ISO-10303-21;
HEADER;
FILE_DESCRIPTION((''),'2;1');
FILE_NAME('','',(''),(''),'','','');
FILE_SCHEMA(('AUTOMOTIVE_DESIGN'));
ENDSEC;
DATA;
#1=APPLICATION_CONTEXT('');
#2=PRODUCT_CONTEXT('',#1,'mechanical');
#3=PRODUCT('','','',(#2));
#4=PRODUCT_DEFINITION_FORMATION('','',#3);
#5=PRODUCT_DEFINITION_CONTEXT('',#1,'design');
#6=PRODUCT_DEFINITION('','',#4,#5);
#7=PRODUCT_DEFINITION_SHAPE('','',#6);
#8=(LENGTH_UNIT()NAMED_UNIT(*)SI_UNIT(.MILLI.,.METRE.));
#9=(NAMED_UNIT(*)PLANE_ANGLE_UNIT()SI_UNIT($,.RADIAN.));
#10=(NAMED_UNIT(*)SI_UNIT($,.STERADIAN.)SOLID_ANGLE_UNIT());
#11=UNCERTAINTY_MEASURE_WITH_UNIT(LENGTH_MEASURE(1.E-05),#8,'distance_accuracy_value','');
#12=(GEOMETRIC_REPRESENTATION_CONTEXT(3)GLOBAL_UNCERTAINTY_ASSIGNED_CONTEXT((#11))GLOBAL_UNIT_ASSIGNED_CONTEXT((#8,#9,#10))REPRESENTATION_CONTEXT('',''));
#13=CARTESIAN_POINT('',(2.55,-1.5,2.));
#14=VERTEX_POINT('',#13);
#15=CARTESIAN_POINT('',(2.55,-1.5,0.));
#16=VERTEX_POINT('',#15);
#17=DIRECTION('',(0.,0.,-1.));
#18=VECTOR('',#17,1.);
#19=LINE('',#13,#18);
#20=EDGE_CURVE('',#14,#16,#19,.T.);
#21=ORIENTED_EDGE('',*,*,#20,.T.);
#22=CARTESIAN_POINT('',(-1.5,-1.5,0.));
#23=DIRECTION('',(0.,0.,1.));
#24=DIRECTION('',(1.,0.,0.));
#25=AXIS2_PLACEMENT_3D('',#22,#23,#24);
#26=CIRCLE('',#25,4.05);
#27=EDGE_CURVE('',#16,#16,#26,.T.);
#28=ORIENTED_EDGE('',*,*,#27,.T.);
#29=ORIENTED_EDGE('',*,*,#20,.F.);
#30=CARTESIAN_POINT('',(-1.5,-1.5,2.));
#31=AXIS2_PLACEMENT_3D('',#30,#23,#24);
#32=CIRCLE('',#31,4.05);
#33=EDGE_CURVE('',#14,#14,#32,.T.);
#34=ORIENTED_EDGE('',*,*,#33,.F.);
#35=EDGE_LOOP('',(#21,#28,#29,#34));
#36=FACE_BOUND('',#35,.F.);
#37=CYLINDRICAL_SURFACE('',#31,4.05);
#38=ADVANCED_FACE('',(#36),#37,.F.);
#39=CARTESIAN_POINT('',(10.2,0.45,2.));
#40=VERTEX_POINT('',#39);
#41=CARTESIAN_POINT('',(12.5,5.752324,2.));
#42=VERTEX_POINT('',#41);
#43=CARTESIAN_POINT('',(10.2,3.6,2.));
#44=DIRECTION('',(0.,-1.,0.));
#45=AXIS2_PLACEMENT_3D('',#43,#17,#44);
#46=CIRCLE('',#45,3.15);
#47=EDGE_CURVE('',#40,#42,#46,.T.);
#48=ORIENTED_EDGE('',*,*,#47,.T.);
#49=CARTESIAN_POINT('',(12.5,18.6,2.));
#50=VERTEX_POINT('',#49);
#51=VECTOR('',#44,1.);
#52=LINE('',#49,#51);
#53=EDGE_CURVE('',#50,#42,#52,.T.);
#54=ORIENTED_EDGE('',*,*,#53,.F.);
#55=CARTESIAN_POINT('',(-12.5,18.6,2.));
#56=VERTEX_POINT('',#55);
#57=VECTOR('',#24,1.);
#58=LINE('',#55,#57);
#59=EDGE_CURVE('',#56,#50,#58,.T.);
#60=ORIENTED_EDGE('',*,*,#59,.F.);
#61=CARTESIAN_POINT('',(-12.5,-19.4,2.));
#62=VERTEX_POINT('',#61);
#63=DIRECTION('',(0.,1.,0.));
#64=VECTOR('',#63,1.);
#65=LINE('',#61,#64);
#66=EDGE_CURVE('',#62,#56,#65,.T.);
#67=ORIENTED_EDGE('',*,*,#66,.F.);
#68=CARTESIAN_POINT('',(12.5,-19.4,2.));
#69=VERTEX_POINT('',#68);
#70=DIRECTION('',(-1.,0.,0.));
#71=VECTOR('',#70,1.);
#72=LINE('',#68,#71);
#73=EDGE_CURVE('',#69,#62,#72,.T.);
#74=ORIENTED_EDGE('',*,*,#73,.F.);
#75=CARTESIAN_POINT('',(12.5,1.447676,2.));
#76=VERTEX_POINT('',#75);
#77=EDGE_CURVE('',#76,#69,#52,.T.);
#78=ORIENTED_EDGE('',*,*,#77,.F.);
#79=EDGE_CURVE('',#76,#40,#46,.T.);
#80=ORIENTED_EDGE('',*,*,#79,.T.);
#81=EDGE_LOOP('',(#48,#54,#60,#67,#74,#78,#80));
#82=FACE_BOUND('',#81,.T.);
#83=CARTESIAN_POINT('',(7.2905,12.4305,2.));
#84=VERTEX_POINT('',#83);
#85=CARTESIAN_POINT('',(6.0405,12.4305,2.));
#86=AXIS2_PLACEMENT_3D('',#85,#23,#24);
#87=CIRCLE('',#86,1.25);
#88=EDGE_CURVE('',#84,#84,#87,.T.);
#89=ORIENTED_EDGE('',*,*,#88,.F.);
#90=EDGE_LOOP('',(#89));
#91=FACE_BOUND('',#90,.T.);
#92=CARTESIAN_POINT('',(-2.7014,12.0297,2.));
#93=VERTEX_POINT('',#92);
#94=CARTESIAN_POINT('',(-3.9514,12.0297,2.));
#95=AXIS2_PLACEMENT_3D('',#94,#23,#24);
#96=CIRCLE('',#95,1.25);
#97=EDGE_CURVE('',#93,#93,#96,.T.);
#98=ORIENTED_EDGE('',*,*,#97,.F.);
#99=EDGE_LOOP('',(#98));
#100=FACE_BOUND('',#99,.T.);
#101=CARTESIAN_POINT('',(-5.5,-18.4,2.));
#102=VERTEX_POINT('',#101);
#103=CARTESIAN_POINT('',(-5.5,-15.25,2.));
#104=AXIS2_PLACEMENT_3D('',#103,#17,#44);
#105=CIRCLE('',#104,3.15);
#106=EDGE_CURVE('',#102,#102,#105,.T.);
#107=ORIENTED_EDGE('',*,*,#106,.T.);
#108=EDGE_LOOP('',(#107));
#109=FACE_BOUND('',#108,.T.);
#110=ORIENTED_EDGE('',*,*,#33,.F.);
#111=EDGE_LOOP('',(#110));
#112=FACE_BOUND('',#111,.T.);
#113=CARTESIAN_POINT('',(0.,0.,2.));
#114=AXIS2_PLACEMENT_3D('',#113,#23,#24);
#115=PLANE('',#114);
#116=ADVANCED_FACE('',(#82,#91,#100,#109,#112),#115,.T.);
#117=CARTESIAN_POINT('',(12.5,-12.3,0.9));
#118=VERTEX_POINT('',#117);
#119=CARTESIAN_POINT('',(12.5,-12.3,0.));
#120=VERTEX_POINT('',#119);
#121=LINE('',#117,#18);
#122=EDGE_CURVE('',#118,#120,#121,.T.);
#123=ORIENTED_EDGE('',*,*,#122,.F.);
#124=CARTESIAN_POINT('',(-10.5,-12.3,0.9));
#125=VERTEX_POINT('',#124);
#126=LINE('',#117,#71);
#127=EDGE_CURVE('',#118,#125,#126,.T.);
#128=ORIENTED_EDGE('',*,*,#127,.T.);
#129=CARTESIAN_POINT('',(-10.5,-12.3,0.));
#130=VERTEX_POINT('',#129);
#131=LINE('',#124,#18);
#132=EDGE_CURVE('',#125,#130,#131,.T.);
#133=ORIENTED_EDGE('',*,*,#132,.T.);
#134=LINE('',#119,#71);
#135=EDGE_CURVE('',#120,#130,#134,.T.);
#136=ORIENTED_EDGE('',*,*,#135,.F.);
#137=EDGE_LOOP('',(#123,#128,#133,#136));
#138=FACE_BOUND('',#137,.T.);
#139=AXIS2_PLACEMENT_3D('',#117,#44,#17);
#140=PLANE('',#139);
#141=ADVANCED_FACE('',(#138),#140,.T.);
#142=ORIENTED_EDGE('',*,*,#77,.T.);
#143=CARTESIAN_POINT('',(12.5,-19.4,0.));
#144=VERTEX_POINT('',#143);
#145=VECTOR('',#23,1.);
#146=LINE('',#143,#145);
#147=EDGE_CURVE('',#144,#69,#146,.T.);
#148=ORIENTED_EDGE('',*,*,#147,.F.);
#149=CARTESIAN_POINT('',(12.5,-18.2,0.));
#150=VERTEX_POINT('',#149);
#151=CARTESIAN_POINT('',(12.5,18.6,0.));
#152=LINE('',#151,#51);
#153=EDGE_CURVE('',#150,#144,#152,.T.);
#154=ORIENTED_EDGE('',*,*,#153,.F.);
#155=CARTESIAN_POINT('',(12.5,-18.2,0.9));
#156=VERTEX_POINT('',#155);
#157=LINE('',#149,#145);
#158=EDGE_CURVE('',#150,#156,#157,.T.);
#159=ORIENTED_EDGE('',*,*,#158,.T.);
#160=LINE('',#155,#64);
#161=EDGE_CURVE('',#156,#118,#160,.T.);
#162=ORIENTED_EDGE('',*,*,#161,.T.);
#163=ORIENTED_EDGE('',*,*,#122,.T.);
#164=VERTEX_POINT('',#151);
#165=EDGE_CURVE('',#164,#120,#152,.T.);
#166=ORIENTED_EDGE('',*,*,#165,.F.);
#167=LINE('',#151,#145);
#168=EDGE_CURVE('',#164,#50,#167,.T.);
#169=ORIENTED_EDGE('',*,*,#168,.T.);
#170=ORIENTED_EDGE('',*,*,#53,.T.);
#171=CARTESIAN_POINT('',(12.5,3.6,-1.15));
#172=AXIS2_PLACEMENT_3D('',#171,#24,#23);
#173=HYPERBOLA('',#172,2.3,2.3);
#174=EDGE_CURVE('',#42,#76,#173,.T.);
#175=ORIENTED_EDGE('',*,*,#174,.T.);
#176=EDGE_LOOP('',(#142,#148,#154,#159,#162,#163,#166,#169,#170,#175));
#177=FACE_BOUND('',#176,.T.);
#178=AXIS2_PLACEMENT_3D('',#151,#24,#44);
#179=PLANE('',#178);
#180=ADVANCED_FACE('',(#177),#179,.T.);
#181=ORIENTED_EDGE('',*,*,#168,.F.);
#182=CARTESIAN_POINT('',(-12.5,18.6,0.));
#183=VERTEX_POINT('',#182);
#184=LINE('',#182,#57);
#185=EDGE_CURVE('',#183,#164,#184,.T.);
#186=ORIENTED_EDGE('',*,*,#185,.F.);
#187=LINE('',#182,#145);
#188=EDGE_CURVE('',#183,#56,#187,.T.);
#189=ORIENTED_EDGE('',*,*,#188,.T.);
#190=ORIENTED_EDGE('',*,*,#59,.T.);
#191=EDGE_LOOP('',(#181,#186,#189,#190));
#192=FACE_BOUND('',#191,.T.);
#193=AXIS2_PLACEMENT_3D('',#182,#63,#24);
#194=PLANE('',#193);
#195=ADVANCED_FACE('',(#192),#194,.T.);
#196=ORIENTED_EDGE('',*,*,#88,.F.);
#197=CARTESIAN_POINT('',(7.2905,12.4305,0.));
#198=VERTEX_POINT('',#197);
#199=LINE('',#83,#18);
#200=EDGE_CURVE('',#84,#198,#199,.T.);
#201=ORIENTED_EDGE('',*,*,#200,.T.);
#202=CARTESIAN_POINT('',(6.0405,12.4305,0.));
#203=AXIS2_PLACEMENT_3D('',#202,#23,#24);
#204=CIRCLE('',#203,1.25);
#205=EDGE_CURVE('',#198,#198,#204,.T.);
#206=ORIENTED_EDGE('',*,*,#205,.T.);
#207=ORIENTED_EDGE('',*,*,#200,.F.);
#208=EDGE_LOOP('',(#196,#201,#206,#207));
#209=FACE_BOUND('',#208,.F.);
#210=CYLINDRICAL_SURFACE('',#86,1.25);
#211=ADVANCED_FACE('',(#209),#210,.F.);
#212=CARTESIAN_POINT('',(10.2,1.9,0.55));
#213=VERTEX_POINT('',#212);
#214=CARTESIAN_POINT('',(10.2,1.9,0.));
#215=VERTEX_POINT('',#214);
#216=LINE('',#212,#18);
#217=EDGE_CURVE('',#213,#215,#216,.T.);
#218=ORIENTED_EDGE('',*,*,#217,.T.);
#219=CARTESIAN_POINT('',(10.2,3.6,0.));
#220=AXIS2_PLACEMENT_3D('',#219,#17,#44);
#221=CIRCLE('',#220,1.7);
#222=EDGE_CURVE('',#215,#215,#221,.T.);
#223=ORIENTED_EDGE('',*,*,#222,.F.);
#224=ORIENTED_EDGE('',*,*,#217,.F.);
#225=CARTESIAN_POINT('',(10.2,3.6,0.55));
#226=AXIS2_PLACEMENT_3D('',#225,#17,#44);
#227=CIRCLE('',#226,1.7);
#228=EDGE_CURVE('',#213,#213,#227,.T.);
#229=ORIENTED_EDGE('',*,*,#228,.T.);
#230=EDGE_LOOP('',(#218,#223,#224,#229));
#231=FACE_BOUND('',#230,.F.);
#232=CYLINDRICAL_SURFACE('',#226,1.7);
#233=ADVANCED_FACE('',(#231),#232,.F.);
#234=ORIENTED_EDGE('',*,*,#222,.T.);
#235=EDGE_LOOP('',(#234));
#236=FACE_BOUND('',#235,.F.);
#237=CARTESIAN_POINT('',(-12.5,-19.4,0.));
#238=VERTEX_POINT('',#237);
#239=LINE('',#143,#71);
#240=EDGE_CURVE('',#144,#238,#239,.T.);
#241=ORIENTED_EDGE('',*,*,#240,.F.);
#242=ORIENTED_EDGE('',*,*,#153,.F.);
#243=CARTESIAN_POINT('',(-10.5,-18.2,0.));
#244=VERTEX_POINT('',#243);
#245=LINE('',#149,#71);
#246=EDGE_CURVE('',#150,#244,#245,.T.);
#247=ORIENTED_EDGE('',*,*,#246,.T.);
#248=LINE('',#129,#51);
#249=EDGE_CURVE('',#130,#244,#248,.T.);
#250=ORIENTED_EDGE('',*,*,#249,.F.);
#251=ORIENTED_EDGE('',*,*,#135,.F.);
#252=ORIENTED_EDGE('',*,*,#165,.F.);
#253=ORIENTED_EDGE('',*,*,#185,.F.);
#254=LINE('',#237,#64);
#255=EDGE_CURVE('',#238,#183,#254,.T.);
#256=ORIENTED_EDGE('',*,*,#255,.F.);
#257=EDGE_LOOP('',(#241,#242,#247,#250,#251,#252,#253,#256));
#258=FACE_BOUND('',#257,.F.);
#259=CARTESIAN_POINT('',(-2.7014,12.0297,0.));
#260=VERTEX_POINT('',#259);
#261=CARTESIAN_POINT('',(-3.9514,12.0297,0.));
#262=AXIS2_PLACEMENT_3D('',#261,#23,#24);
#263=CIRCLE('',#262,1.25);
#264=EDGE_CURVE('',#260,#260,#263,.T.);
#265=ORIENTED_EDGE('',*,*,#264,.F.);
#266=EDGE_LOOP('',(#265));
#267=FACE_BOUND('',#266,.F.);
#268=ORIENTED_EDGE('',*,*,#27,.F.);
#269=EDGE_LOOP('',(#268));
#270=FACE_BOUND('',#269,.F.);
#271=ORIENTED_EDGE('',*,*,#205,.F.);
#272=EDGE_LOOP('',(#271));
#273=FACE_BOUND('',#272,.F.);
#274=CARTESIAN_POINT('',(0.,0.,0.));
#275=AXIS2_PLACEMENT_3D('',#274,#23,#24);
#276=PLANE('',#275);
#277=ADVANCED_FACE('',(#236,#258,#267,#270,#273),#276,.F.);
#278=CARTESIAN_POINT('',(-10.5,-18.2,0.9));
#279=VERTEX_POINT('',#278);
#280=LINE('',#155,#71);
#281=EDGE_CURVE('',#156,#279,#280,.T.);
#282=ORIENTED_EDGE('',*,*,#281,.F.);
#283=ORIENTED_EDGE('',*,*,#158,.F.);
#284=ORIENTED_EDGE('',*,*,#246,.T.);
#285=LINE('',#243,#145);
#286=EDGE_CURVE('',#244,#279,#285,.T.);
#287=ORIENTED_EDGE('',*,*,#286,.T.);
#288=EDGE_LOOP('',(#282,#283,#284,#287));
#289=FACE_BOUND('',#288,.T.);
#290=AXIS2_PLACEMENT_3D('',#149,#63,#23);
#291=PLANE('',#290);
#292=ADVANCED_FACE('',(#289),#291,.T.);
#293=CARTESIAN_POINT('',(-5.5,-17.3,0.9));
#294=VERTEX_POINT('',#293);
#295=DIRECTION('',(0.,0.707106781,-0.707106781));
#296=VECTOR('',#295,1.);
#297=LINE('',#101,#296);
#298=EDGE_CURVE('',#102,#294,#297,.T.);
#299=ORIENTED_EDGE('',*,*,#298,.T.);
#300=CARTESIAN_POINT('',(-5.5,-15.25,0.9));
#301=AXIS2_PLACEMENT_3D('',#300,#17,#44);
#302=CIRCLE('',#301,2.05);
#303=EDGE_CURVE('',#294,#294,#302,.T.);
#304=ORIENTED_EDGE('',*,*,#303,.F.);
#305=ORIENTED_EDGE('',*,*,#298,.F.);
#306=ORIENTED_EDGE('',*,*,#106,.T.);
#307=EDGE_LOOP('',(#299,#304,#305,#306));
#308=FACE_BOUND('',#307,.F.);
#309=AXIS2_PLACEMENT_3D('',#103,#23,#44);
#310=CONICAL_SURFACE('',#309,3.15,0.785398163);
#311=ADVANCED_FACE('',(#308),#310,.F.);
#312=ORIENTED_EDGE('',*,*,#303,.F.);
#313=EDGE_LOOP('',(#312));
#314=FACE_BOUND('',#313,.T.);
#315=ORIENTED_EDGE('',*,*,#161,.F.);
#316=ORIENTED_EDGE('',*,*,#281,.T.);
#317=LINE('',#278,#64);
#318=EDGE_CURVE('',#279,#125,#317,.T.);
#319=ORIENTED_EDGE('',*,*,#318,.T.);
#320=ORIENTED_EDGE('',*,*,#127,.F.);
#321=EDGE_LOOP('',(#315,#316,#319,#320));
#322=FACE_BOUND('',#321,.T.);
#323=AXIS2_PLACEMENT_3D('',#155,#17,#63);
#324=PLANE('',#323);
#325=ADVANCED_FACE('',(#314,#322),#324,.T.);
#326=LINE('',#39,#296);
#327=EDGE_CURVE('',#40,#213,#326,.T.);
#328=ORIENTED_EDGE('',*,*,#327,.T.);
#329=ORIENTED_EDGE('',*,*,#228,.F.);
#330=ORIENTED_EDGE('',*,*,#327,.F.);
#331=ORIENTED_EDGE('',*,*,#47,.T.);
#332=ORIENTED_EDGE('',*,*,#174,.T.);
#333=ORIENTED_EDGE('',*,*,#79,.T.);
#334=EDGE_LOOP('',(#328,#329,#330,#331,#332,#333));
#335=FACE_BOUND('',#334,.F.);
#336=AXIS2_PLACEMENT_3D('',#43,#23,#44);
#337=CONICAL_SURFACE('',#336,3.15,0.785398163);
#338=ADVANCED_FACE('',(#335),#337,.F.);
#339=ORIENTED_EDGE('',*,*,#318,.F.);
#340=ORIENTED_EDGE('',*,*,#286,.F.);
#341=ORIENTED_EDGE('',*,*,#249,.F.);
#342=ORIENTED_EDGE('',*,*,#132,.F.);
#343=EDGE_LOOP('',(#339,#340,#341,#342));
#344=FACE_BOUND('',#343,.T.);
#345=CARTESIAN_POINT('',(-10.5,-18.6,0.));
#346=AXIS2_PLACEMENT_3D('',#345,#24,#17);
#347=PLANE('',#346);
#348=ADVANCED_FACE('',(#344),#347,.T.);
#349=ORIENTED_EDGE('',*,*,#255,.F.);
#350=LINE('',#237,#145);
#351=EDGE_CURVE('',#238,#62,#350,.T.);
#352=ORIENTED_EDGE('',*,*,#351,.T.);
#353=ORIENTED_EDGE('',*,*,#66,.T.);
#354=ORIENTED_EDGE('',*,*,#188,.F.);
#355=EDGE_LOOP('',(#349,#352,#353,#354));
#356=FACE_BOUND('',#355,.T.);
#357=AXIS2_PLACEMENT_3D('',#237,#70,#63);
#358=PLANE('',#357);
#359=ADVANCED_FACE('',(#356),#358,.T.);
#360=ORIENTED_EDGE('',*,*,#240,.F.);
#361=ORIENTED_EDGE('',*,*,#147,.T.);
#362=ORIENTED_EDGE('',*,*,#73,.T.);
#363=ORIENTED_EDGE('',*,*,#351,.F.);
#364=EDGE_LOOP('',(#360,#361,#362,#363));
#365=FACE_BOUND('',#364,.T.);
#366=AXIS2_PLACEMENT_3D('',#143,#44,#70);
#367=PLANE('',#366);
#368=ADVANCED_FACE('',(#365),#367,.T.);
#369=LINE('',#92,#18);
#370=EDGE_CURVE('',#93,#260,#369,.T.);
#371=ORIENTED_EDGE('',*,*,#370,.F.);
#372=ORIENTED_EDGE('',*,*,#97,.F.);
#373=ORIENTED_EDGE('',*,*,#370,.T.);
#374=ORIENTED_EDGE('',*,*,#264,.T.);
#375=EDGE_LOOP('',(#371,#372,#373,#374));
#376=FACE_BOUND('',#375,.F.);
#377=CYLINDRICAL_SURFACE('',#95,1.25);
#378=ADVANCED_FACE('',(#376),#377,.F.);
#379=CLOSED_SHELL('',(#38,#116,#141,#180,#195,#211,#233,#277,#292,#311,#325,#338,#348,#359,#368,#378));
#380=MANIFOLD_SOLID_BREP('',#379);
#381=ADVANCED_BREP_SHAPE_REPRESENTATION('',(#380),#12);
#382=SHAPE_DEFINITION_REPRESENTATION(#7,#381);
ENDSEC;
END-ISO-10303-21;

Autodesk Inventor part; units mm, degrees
ref_plane "YZ Plane" through (0, 0, 0) normal (1, 0, 0) x (0, 1, 0)
ref_plane "XZ Plane" through (0, 0, 0) normal (0, 1, 0) x (-1, 0, 0)
ref_plane "XY Plane" through (0, 0, 0) normal (0, 0, 1) x (1, 0, 0)
sketch "Szkic1" plane through (0, 0, 0) normal (0, 0, 1) x (1, 0, 0)
  line L0 (12.5, 18.6) -> (12.5, -19.4) projected
  line L1 (-12.5, 18.6) -> (12.5, 18.6) projected
  line L2 (12.5, -19.4) -> (-12.5, -19.4)
  line L3 (-12.5, -19.4) -> (-12.5, 18.6)
  line L4 (-12.5, 18.6) -> (12.5, 18.6)
  line L5 (12.5, 18.6) -> (12.5, -19.4)
extrude "Wyciągnięcie proste1" add sketch "Szkic1" along normal blind 2
sketch "Szkic2" plane through (0, 0, 2) normal (0, 0, 1) x (1, 0, 0)
  circle A0 centre (-3.9514, 12.0297) radius 1.25 projected
  circle A1 centre (6.0405, 12.4305) radius 1.25 projected
  circle A2 centre (-1.5, -1.5) radius 4.05 projected
  circle A3 centre (10.2, 3.6) radius 1.2295 projected
  point P0 (0, 0)
  point P1 (-5.5, -15.25)
extrude "Wyciągnięcie proste2" cut sketch "Szkic2" against normal through all contours A0 | A1 | A2
hole "Otwór1" at (10.2, 3.6, 2) at (-5.5, -15.25, 2) direction (0, 0, -1) diameter 3.4 depth 7 tip angle 118 countersink diameter 6.3 countersink angle 90 clearance for "Śruba ze łbem stożkowym ISO 2009/7046" size "M3" standard "ISO"
sketch "Szkic3" plane through (12.5, -18.6, 0) normal (1, 0, 0) x (0, 0, -1)
  line L0 (0, 0.4) -> (-0.9, 0.4)
  line L1 (-0.9, 0.4) -> (-0.9, 6.3)
  line L2 (-0.9, 6.3) -> (0, 6.3)
  line L3 (0, 6.3) -> (0, 0.4)
  point P0 (0, 18.6)
  dimension "d11" = 0.9
extrude "Wyciągnięcie proste3" cut sketch "Szkic3" against normal blind 23
properties part number "OslonaPrawejPrzekladni" material "Aluminium 6061"
